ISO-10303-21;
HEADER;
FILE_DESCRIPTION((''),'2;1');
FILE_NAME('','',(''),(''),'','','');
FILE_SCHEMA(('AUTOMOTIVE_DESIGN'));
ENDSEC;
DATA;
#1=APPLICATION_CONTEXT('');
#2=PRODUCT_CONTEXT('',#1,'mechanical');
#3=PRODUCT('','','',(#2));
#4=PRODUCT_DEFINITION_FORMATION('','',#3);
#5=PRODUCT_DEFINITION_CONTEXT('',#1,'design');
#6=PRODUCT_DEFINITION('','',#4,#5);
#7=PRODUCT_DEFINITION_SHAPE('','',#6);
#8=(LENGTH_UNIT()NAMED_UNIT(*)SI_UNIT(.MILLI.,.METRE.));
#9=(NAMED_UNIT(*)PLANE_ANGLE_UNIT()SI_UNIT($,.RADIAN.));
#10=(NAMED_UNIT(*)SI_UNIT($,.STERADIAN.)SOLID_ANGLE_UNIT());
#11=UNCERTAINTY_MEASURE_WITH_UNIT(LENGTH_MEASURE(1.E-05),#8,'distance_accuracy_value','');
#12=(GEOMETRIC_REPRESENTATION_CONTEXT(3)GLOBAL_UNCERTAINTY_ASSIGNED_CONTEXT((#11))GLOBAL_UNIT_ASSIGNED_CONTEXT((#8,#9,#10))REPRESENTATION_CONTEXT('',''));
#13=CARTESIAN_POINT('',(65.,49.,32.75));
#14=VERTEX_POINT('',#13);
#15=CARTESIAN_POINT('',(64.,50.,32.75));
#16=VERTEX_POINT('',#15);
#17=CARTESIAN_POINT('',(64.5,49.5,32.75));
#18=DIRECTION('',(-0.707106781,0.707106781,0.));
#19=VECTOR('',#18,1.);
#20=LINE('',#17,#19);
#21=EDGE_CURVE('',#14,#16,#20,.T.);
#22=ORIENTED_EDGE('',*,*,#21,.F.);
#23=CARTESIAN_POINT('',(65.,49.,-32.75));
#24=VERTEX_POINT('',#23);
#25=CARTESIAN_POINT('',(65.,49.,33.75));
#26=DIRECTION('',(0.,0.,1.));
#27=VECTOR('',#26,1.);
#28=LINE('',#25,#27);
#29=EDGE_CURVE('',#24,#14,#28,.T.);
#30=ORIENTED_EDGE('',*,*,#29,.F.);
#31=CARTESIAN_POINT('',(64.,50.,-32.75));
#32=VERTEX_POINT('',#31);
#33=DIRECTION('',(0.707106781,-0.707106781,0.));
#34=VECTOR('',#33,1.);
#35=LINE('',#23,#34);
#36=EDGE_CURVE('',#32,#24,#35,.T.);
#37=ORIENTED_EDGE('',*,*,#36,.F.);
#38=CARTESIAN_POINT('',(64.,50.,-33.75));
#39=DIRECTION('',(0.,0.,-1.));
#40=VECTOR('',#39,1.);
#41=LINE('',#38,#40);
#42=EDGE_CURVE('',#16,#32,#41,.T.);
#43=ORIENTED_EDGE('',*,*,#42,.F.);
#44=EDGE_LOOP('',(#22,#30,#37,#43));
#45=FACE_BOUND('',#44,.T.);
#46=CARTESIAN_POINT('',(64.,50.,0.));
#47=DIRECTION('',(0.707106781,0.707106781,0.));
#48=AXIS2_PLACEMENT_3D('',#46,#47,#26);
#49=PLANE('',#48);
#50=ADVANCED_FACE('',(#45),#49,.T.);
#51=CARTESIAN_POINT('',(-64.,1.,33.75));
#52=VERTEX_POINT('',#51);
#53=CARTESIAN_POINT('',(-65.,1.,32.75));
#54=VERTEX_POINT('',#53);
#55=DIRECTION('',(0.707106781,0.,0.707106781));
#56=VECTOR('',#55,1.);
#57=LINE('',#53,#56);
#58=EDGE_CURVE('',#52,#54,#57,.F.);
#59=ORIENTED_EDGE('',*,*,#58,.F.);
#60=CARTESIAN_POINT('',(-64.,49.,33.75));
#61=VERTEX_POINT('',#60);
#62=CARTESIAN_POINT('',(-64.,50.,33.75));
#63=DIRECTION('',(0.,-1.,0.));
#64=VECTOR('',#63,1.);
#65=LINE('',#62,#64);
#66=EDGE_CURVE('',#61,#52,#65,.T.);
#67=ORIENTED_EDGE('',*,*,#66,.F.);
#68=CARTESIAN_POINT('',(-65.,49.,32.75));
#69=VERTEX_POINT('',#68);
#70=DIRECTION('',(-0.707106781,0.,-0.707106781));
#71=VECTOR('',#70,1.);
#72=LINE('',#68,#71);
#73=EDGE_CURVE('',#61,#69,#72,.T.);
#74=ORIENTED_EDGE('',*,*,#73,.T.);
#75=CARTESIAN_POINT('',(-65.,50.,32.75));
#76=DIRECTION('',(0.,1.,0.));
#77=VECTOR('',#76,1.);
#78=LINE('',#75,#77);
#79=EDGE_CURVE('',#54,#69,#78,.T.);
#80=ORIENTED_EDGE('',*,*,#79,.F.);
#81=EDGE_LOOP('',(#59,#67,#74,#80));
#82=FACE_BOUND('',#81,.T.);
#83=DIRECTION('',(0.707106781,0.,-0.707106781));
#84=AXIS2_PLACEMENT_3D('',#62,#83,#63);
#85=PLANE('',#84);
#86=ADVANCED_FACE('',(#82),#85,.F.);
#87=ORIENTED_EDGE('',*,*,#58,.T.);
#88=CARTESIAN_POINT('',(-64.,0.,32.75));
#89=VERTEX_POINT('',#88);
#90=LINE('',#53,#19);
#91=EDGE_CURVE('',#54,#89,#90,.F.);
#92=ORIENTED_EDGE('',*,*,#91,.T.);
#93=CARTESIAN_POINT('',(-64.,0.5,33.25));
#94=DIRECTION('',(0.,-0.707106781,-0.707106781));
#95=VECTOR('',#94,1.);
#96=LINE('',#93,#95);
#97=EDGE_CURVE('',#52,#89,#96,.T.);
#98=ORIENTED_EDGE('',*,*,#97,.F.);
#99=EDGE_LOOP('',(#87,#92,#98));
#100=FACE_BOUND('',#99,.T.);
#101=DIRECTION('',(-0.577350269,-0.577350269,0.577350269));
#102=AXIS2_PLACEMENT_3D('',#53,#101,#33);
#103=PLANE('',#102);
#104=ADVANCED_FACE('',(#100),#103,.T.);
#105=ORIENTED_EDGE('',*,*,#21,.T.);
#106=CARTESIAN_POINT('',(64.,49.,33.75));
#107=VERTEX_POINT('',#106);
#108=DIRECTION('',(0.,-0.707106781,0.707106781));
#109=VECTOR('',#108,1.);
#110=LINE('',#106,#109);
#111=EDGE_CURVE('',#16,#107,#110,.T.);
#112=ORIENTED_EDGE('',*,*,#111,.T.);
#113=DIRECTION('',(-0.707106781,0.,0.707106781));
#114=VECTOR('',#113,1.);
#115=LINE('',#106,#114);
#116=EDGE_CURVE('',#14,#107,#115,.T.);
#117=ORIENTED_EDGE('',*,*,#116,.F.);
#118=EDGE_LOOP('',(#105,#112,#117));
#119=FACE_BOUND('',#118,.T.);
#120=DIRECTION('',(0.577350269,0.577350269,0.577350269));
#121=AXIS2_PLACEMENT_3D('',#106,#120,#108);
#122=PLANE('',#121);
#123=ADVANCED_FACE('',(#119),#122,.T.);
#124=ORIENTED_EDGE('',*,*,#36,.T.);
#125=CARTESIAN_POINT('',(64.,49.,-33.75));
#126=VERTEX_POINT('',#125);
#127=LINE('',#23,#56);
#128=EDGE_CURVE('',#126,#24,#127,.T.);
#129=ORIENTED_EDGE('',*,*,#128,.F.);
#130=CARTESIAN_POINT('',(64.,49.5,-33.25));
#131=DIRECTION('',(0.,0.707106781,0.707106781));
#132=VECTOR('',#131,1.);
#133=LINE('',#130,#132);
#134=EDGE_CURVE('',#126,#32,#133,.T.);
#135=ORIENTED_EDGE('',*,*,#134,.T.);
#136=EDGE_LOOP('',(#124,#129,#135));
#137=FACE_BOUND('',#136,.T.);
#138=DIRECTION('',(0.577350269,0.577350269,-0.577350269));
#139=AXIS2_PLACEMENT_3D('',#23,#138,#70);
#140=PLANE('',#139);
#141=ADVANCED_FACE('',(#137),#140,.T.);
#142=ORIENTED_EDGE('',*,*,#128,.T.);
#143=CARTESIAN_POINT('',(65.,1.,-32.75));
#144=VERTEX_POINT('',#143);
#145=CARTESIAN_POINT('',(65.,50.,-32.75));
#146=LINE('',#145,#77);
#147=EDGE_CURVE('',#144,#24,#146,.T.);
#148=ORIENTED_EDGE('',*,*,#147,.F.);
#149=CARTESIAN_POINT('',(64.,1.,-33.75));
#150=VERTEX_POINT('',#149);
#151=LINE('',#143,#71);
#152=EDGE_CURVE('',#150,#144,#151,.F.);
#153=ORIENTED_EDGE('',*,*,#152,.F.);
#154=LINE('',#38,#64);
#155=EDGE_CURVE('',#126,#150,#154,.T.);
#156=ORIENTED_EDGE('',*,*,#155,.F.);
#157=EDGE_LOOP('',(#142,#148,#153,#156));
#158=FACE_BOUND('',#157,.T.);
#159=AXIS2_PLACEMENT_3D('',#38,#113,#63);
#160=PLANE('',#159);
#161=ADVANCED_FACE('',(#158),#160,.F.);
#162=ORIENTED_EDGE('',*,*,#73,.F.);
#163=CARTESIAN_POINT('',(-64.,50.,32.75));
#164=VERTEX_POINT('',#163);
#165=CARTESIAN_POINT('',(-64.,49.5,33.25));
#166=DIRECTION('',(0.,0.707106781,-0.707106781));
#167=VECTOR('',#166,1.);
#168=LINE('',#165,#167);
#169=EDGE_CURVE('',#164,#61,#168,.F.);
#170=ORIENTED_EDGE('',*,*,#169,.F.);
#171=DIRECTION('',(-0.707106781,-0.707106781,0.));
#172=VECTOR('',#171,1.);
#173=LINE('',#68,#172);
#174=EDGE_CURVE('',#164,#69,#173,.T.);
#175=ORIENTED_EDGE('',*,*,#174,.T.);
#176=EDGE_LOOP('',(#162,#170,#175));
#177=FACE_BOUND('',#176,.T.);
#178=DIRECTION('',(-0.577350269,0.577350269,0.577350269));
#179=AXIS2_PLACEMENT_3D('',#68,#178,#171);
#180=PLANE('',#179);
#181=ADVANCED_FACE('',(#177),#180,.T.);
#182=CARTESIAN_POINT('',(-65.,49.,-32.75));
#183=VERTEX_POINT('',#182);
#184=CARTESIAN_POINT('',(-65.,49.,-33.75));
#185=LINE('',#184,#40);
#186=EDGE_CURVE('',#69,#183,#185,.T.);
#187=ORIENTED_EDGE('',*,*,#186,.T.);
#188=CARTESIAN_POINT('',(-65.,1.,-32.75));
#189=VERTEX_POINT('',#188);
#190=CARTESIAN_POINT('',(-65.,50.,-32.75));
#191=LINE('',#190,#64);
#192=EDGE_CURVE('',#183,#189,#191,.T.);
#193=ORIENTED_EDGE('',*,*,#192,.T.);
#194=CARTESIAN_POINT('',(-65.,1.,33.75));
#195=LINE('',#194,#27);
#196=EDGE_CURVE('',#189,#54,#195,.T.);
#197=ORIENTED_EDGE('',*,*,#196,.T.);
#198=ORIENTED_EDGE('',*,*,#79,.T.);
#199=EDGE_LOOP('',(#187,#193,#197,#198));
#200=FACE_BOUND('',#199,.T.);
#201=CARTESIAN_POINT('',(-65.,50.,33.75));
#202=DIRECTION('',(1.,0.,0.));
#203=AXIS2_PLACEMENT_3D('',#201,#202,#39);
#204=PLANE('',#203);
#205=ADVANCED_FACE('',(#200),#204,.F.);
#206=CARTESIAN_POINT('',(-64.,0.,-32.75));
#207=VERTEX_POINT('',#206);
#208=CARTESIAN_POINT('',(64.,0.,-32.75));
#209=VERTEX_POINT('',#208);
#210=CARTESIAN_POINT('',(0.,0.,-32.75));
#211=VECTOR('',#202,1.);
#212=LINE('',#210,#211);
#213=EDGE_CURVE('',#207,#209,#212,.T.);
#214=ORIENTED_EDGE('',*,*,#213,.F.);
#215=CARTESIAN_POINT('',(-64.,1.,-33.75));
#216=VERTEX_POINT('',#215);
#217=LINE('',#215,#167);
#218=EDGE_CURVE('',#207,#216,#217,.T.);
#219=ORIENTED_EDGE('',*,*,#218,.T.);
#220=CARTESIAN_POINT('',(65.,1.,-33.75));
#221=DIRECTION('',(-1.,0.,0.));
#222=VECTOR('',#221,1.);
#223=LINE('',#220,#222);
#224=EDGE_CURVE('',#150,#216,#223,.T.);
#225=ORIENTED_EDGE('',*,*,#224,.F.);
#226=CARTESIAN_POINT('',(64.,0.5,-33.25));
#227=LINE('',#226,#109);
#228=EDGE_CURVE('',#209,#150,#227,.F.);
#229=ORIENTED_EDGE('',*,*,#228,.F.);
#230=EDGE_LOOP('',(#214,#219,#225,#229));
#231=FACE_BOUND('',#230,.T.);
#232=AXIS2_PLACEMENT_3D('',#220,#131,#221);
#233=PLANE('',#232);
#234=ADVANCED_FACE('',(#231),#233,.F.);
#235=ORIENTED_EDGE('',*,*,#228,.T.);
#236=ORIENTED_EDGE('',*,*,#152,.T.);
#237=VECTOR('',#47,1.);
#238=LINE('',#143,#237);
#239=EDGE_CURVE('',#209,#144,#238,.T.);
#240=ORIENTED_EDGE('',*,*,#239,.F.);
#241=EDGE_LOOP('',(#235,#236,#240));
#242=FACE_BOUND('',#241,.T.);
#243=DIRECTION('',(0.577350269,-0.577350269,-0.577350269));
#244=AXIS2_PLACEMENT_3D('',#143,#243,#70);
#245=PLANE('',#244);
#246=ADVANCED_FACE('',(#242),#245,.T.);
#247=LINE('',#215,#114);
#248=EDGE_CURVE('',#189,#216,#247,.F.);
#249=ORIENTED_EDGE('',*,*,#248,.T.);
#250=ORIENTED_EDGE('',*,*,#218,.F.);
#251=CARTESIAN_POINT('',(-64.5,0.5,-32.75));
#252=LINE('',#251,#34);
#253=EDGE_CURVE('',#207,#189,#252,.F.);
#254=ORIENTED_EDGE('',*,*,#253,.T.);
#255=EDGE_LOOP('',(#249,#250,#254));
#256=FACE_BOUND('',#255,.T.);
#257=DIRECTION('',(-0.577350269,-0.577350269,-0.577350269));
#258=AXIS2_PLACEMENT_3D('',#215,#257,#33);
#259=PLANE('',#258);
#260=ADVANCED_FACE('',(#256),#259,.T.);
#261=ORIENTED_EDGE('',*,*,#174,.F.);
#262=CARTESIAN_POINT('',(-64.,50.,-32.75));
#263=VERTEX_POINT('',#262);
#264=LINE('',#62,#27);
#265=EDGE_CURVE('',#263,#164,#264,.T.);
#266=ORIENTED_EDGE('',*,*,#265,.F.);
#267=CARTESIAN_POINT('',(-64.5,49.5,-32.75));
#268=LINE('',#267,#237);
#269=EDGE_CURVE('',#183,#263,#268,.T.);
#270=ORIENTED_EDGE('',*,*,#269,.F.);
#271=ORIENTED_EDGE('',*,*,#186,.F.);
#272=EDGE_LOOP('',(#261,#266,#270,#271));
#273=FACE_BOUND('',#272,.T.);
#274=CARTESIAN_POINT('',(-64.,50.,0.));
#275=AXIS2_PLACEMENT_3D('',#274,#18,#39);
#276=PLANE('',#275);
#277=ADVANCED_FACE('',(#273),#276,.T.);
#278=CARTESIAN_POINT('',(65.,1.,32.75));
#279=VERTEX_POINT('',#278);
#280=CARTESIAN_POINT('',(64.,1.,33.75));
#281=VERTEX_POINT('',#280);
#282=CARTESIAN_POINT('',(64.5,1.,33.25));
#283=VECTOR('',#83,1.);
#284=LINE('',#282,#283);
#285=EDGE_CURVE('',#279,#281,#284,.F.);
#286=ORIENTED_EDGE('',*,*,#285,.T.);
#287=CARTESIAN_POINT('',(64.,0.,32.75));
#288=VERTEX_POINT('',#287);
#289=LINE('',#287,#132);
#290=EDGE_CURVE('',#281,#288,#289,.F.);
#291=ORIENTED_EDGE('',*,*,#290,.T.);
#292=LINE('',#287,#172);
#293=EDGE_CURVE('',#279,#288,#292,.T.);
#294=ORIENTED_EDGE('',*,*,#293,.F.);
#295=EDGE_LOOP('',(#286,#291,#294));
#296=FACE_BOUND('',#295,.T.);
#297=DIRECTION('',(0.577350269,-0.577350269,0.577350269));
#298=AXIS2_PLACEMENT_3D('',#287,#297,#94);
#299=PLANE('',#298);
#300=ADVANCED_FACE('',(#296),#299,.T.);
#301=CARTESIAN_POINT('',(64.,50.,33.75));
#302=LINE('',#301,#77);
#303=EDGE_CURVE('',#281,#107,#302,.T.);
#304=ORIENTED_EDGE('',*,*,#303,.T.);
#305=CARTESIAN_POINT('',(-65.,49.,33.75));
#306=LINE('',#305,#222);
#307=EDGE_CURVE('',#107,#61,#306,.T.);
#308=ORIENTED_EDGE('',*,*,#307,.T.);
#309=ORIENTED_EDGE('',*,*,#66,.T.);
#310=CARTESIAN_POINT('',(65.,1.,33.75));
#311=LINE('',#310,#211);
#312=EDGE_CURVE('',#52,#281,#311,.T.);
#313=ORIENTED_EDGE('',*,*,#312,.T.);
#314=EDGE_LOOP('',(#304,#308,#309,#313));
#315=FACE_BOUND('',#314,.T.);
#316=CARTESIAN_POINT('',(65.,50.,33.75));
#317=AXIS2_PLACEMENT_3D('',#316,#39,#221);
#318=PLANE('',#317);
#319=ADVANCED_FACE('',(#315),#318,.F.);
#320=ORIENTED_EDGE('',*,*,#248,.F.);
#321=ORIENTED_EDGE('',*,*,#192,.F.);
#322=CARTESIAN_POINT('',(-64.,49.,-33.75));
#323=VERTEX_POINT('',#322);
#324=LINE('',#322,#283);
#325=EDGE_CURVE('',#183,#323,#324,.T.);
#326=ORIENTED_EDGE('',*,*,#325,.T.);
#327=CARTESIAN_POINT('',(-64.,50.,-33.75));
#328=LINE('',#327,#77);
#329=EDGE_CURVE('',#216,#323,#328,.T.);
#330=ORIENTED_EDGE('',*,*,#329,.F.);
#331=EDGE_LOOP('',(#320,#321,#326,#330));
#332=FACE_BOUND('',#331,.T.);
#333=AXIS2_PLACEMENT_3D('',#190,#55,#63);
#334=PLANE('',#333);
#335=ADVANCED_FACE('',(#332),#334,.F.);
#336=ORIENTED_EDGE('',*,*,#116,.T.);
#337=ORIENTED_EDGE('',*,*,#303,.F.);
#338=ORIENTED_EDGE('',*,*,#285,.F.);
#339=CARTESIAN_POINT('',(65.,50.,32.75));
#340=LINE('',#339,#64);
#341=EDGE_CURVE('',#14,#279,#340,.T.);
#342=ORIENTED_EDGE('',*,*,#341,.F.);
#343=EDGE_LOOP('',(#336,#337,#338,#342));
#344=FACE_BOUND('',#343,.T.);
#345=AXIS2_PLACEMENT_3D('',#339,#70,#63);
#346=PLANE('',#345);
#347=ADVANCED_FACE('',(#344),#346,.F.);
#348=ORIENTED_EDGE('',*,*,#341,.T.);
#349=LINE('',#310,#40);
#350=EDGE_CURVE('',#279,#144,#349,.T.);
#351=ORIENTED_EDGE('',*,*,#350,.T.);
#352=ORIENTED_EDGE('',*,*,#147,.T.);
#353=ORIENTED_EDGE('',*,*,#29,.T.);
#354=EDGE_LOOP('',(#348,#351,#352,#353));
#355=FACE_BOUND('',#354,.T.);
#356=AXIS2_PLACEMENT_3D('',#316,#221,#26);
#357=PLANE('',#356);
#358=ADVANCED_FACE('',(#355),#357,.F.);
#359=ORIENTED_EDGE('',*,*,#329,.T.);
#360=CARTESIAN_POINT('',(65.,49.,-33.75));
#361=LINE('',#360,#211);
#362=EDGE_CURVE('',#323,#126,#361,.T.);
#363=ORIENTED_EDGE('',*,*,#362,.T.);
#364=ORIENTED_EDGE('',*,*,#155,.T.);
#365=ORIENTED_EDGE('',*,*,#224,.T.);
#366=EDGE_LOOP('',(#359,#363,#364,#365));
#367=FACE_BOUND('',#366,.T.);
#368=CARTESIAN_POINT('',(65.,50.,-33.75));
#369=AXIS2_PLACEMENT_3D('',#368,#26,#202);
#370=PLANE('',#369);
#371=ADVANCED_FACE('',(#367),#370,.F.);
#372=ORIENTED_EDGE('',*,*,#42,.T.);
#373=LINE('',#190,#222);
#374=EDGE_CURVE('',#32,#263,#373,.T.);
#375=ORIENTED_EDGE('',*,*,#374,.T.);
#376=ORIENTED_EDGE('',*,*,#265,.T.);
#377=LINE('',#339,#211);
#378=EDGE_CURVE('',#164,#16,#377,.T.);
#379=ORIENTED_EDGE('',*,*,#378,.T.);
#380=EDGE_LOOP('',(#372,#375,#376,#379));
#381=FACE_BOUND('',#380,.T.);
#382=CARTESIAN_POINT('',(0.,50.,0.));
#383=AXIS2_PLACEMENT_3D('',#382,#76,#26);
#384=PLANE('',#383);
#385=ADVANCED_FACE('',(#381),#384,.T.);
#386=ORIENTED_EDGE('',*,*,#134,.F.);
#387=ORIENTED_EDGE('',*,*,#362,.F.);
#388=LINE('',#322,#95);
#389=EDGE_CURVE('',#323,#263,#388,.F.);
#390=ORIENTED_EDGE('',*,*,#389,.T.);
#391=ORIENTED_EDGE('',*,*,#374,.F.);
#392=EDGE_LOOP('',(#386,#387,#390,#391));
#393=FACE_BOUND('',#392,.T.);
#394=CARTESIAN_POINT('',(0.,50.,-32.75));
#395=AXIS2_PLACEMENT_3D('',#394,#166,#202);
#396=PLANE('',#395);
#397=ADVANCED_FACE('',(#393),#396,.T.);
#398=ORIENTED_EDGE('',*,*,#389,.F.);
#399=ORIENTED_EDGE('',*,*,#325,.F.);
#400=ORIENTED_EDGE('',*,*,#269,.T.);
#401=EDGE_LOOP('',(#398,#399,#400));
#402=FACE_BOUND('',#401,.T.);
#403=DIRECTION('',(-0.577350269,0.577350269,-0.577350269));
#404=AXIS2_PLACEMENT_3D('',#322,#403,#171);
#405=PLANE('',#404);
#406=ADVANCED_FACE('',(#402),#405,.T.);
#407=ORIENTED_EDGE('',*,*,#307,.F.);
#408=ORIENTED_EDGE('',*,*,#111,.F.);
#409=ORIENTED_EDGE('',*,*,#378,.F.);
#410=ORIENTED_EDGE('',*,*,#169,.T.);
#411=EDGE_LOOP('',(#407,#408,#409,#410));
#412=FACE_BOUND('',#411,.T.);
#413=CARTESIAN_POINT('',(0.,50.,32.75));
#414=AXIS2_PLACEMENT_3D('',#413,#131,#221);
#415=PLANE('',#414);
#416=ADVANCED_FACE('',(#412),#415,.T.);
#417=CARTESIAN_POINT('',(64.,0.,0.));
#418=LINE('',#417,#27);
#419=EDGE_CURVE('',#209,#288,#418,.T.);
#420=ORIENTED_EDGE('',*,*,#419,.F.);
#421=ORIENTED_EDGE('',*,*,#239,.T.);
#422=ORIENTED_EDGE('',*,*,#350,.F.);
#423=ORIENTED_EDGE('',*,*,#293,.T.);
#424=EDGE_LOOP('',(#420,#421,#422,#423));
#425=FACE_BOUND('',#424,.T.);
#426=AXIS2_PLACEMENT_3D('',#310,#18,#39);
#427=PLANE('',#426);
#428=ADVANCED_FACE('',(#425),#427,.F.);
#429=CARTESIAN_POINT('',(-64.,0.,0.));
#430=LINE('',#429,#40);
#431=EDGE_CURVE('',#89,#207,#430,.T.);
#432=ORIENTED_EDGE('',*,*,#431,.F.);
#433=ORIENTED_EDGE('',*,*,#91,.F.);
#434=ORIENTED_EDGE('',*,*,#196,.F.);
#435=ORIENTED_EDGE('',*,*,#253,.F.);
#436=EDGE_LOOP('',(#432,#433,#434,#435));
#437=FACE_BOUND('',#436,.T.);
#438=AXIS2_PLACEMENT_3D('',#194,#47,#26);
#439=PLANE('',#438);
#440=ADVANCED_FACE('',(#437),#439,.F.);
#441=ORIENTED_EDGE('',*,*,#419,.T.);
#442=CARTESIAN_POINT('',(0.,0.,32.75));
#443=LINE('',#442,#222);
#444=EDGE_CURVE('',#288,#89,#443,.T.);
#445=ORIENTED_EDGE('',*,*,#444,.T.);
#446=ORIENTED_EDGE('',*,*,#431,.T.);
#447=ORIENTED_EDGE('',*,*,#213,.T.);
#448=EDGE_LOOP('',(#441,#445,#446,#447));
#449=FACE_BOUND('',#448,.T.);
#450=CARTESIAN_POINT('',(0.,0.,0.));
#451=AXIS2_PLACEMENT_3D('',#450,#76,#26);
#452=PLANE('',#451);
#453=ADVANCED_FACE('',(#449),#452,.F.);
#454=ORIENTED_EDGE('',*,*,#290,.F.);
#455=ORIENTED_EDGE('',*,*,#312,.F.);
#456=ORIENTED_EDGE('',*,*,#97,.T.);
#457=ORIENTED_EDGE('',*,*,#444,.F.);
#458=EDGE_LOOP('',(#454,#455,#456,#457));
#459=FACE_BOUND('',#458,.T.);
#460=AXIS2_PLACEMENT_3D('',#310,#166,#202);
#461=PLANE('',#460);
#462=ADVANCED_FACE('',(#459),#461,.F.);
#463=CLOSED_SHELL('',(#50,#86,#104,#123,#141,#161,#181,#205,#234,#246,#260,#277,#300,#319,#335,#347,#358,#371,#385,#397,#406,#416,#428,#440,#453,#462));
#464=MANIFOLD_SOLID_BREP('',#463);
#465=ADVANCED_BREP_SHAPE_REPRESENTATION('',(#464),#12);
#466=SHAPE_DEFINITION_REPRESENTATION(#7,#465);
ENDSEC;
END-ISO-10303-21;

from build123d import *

# Parameters (mm, degrees)
SKETCH1_W           = 130
SKETCH1_H           = 67.5
BOSS_EXTRUDE1_DEPTH = 50
CHAMFER1_SIZE       = 1


with BuildPart() as part:
    # Sketch1 → Boss-Extrude1 (new body)
    with BuildSketch(Plane(origin=(0, 0, 0), x_dir=(1, 0, 0), z_dir=(0, 1, 0))):
        Rectangle(SKETCH1_W, SKETCH1_H)
    extrude(amount=BOSS_EXTRUDE1_DEPTH)

    # Chamfer1
    chamfer1_edges = [part.edges().sort_by_distance(p)[0] for p in [
        (65, 50, 0),
        (0, 50, -33.75),
        (-65, 50, 0),
        (0, 0, -33.75),
        (65, 0, 0),
        (0, 0, 33.75),
        (-65, 0, 0),
        (-65, 25, -33.75),
        (65, 25, -33.75),
        (65, 25, 33.75),
        (-65, 25, 33.75),
        (0, 50, 33.75),
    ]]
    chamfer(chamfer1_edges, length=CHAMFER1_SIZE)


solid = part.part
